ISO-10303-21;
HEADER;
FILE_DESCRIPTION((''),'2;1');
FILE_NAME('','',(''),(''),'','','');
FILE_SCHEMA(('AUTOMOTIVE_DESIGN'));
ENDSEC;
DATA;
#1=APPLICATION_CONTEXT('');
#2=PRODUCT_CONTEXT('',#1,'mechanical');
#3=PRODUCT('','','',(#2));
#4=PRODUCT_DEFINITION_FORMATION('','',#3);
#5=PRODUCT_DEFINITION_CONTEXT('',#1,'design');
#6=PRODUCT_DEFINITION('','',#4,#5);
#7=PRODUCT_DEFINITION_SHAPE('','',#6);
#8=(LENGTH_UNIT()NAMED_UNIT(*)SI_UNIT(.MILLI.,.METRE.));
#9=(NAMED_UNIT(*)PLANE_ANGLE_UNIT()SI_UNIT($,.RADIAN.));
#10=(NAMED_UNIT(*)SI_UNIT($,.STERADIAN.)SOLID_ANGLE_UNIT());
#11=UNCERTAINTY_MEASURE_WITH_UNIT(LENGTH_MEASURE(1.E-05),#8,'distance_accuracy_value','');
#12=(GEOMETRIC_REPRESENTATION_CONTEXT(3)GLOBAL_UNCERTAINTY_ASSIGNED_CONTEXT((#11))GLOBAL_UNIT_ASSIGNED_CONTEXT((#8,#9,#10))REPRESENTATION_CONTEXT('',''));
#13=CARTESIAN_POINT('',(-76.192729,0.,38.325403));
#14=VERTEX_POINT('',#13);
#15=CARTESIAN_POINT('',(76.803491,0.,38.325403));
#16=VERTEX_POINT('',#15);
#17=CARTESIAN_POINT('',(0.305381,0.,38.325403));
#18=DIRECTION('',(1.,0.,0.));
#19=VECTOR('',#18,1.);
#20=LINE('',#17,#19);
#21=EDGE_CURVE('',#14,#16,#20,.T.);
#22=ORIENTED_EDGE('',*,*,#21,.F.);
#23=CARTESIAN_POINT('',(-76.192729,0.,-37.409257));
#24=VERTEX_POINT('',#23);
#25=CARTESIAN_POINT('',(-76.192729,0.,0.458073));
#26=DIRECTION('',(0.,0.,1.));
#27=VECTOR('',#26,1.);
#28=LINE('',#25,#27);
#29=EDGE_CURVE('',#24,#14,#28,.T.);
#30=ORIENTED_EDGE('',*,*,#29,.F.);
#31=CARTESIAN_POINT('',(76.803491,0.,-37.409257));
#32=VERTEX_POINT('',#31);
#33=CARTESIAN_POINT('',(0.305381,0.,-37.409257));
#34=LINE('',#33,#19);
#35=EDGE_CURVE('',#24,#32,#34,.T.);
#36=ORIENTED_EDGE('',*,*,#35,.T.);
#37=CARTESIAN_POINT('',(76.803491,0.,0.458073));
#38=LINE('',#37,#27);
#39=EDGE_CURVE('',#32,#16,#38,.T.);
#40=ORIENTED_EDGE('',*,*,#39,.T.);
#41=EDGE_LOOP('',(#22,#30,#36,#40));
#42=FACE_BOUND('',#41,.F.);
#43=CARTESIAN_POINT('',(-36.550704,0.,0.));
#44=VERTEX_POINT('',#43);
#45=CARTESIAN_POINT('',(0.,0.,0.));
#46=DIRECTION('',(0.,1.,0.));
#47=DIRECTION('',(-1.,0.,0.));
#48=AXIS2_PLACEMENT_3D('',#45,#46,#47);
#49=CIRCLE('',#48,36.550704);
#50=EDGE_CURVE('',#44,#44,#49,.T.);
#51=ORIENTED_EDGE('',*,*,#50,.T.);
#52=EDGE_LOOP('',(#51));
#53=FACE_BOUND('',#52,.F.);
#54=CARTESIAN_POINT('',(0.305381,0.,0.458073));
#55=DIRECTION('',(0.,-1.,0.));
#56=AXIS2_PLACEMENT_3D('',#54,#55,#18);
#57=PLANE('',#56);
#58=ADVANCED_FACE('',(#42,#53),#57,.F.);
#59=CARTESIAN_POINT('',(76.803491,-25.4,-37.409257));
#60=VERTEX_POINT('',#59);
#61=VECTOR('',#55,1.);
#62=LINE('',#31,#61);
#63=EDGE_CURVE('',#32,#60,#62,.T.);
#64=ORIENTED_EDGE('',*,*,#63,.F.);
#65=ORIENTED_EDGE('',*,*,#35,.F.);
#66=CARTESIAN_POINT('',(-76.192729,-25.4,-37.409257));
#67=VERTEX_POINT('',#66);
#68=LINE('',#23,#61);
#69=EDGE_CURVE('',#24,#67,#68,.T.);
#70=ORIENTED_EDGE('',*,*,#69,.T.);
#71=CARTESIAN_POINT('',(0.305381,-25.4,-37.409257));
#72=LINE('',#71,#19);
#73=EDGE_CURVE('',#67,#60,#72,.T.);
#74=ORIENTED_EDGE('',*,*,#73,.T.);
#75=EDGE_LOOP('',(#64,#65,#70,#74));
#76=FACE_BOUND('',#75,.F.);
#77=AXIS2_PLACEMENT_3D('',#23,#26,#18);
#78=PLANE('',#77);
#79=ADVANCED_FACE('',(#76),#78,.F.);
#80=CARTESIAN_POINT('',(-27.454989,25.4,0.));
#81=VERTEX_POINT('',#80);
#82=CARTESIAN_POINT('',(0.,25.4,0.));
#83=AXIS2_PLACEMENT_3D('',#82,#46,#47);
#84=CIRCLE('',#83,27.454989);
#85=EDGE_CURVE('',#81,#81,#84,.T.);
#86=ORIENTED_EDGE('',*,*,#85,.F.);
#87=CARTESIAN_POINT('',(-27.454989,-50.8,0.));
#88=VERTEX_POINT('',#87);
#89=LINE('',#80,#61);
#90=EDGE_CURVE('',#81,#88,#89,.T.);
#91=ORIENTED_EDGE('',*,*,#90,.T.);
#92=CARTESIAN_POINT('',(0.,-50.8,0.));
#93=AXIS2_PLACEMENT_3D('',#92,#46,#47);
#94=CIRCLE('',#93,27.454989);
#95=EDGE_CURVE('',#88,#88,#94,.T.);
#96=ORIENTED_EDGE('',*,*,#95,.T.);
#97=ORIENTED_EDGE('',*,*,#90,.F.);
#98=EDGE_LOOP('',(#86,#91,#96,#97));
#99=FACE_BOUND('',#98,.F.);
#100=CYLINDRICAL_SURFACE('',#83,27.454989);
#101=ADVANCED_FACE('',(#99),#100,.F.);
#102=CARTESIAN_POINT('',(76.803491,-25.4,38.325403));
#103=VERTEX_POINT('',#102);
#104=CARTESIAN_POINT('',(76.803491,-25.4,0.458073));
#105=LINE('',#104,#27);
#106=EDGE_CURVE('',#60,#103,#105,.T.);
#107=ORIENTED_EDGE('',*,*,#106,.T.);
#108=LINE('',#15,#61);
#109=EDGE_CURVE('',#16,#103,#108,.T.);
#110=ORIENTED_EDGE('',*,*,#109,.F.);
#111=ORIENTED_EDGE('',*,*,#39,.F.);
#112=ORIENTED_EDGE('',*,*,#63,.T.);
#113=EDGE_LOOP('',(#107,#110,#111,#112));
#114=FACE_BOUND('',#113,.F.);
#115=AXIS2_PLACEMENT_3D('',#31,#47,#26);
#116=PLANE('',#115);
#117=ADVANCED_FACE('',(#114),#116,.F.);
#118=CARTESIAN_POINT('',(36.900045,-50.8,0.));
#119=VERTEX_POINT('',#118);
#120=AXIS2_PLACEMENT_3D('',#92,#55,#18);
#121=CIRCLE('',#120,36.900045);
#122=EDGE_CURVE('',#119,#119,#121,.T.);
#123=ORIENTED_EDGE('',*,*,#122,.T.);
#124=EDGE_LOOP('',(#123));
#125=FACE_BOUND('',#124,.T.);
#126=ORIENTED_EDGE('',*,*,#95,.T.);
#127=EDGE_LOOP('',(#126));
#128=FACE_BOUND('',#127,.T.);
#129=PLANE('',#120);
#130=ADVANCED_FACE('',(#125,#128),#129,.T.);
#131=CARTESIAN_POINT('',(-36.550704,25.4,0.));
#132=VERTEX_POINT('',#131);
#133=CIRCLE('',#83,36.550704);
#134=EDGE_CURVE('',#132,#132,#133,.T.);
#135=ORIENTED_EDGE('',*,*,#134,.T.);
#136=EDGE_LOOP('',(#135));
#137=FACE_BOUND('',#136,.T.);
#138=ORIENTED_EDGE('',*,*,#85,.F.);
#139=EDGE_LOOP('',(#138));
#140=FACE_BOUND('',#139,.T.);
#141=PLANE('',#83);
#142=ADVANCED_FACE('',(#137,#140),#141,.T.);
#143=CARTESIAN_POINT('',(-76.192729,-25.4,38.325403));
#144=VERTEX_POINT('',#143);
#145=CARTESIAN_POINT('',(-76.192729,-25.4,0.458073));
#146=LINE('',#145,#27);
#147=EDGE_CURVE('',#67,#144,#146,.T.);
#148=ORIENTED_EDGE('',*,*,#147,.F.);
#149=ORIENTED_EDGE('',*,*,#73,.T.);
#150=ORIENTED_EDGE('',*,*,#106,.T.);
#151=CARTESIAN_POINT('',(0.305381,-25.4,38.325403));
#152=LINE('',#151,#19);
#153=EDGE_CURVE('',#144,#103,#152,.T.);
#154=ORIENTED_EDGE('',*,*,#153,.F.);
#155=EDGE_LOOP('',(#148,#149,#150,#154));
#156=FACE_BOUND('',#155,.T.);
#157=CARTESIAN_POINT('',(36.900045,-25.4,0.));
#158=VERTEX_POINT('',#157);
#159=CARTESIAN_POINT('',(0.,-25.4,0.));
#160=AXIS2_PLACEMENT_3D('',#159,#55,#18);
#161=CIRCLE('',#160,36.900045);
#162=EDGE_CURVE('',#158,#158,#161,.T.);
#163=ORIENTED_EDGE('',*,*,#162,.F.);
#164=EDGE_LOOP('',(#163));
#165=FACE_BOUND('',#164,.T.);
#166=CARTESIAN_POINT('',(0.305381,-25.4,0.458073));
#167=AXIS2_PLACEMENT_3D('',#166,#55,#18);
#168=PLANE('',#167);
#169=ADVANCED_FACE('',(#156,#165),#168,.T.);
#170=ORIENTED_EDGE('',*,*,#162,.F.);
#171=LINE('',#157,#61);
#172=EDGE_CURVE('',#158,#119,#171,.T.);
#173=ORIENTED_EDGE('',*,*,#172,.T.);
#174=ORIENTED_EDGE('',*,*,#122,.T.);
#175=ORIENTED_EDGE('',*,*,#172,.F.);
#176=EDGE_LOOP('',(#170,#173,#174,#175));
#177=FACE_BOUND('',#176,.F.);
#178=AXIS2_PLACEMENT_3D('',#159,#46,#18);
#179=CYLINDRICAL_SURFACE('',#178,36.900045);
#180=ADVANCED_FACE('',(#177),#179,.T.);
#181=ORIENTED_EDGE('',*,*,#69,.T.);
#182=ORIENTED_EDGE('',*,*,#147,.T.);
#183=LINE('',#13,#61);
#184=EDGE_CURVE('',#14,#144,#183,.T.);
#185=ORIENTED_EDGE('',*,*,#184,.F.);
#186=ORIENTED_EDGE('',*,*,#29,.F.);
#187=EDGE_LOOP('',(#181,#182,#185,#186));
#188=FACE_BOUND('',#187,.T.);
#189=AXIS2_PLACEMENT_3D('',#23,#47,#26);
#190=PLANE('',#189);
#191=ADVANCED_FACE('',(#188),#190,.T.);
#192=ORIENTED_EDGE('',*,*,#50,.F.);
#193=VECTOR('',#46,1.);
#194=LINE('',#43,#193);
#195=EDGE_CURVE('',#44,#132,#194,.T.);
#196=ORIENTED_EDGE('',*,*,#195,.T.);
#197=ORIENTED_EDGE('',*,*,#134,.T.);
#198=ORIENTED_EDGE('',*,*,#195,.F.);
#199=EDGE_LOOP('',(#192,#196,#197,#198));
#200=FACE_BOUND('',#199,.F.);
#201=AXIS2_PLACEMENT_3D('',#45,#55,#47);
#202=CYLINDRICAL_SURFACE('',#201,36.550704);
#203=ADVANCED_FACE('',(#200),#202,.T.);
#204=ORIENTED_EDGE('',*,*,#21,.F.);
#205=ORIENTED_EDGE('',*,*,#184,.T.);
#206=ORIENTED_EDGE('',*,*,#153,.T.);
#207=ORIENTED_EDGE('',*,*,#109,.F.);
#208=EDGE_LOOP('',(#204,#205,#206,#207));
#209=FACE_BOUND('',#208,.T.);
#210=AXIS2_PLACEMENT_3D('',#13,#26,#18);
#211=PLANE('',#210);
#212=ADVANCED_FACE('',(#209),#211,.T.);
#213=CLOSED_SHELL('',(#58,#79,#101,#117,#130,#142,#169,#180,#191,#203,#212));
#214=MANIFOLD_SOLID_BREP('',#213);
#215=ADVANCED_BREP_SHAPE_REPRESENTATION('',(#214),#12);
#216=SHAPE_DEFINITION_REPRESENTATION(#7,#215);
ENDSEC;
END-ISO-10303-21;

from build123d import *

# Parameters (mm, degrees)
F0_W     = 152.99622
F0_H     = 75.73466
F1_DEPTH = 25.4
F2_R     = 36.900045
F3_DEPTH = 25.4
F4_R     = 36.550704
F5_DEPTH = 25.4
F6_R     = 25.934616
F7_DEPTH = 25.4
F8_R     = 27.454989
F9_DEPTH = 83.312


with BuildPart() as f1:
    # F0 (on Front) → F1 (new body)
    with BuildSketch(Plane.XZ):
        with Locations((0.305381, 0.458073)):
            Rectangle(F0_W, F0_H)
    extrude(amount=F1_DEPTH)

    # F2 (on face) → F3 (join)
    with BuildSketch(Plane.XZ.offset(25.4)):
        Circle(F2_R)
    extrude(amount=F3_DEPTH)

    # F4 (on face) → F5 (join)
    with BuildSketch(Plane(origin=(0, 0, 0), x_dir=(-1, 0, 0), z_dir=(0, 1, 0))):
        Circle(F4_R)
    extrude(amount=F5_DEPTH)

    # F6 (on face) → F7 (cut)
    with BuildSketch(Plane.XZ.offset(50.8)):
        Circle(F6_R)
    extrude(amount=-F7_DEPTH, mode=Mode.SUBTRACT)

    # F8 (on face) → F9 (cut)
    with BuildSketch(Plane(origin=(0, 25.4, 0), x_dir=(-1, 0, 0), z_dir=(0, 1, 0))):
        Circle(F8_R)
    extrude(amount=-F9_DEPTH, mode=Mode.SUBTRACT)


solid = f1.part
